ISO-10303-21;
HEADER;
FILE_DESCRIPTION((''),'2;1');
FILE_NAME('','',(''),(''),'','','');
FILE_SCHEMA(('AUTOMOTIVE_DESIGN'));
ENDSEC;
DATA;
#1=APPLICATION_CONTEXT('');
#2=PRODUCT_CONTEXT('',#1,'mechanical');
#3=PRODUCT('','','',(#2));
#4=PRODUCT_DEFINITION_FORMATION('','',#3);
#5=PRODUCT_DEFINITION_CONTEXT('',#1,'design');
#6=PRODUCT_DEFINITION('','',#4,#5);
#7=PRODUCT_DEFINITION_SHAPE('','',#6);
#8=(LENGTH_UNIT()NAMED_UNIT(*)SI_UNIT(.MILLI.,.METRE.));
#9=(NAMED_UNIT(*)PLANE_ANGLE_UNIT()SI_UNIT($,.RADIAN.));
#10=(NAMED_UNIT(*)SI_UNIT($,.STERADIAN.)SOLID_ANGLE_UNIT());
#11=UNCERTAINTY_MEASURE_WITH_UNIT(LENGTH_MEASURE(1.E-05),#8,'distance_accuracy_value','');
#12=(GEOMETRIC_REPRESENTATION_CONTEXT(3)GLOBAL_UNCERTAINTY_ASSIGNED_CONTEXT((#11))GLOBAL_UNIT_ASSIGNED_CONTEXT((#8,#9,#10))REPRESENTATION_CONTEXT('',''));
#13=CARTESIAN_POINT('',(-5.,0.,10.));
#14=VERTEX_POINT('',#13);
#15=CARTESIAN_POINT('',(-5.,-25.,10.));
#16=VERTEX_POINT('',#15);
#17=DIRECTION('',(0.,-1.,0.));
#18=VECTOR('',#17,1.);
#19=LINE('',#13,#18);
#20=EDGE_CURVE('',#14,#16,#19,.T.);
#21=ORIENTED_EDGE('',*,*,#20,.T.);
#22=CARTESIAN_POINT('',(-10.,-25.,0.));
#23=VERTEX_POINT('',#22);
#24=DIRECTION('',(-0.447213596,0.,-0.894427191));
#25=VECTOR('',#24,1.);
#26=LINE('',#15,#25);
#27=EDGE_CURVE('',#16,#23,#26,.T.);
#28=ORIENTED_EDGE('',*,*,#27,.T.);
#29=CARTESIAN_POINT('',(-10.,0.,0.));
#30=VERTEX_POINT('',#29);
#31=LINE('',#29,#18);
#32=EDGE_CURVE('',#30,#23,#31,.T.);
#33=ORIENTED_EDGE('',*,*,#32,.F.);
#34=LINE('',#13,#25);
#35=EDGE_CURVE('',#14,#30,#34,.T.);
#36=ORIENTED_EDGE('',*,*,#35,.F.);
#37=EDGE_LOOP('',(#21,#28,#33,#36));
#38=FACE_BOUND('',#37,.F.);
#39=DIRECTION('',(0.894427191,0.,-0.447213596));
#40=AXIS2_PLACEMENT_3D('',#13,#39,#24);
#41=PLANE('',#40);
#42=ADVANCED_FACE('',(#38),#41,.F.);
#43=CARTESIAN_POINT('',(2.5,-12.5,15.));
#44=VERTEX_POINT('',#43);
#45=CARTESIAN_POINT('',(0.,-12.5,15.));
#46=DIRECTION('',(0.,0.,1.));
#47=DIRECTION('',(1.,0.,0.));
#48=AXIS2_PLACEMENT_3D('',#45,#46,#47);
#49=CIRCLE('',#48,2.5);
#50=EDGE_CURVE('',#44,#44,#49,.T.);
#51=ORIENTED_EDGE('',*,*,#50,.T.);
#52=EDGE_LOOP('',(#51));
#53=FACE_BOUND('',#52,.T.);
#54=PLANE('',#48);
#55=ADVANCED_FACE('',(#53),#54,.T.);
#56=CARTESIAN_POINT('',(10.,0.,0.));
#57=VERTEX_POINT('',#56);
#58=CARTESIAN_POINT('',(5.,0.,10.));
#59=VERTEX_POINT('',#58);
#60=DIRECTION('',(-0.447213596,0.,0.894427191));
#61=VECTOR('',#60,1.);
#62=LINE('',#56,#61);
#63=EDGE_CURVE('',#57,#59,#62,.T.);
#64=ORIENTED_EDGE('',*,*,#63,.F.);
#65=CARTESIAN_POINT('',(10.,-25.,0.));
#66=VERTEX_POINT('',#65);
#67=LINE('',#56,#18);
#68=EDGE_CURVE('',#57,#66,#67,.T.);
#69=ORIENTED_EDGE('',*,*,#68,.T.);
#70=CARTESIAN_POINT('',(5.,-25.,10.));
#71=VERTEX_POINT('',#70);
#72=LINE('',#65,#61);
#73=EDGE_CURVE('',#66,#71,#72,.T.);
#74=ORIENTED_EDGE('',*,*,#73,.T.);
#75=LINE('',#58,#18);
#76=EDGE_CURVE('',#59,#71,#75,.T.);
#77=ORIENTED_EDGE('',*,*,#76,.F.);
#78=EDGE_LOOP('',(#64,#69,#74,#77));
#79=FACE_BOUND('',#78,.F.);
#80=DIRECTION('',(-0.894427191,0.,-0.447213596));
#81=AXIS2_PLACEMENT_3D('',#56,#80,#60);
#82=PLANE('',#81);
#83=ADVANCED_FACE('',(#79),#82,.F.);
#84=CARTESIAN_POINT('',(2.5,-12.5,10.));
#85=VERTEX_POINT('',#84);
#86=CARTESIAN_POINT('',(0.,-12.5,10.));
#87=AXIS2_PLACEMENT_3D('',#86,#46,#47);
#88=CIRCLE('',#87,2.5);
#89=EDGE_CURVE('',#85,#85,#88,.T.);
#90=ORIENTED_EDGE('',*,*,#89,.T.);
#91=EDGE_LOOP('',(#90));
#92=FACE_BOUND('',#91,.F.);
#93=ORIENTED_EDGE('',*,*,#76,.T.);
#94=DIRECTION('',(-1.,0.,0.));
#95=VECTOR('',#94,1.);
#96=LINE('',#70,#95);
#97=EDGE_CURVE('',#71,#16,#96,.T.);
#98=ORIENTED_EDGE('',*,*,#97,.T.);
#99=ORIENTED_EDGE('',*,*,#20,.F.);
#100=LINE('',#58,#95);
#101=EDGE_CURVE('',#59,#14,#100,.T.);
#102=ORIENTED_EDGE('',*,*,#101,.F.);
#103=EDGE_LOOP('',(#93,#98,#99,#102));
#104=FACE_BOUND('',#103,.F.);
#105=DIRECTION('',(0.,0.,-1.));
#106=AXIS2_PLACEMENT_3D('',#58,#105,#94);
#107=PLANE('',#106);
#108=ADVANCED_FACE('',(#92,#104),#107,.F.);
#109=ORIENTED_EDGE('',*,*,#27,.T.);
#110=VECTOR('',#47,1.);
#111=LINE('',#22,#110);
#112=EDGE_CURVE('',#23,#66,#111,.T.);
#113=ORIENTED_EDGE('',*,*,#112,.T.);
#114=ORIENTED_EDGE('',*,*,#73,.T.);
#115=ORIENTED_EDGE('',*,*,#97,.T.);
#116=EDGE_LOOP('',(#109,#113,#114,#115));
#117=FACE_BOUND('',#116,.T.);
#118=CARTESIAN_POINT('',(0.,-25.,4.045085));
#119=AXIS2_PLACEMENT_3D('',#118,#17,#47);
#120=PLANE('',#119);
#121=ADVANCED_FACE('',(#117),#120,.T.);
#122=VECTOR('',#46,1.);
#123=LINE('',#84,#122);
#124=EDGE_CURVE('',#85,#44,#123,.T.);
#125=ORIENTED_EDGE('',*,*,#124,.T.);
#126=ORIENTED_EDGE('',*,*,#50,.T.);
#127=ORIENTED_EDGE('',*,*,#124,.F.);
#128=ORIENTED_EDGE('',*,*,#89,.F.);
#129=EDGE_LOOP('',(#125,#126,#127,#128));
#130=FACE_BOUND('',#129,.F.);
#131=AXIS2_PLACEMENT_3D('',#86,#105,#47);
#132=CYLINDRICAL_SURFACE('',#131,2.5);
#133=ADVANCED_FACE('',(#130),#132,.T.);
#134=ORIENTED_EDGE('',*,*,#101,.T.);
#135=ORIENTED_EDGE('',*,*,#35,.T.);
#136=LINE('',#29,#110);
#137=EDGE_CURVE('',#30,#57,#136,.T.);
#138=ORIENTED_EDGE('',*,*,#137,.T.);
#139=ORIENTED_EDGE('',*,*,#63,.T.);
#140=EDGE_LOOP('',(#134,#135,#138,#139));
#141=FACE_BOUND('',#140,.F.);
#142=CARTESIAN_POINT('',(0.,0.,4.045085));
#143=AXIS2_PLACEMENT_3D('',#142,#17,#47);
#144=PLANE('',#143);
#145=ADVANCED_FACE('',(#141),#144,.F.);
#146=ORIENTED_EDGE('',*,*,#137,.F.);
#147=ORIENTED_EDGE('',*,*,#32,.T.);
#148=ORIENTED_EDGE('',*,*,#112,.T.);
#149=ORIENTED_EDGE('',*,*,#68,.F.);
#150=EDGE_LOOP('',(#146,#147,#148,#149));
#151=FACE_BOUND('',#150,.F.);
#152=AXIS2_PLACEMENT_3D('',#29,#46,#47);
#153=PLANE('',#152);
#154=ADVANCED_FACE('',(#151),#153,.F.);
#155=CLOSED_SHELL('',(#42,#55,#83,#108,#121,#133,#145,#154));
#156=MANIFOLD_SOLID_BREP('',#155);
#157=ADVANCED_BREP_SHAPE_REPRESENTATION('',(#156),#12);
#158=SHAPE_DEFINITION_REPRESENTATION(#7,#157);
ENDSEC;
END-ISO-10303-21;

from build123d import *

# Parameters (mm, degrees)
F1_DEPTH = 25
F2_R     = 2.5
F3_DEPTH = 5


with BuildPart() as f1:
    # F0 (on Front) → F1 (new body)
    with BuildSketch(Plane.XZ):
        Polygon((-10, 0), (0, 0), (10, 0), (5, 10), (0, 10), (-5, 10), align=None)
    extrude(amount=F1_DEPTH)

    # F2 (on face) → F3 (join)
    with BuildSketch(Plane.XY.offset(10)):
        with Locations((0, -12.5)):
            Circle(F2_R)
    extrude(amount=F3_DEPTH)


solid = f1.part
